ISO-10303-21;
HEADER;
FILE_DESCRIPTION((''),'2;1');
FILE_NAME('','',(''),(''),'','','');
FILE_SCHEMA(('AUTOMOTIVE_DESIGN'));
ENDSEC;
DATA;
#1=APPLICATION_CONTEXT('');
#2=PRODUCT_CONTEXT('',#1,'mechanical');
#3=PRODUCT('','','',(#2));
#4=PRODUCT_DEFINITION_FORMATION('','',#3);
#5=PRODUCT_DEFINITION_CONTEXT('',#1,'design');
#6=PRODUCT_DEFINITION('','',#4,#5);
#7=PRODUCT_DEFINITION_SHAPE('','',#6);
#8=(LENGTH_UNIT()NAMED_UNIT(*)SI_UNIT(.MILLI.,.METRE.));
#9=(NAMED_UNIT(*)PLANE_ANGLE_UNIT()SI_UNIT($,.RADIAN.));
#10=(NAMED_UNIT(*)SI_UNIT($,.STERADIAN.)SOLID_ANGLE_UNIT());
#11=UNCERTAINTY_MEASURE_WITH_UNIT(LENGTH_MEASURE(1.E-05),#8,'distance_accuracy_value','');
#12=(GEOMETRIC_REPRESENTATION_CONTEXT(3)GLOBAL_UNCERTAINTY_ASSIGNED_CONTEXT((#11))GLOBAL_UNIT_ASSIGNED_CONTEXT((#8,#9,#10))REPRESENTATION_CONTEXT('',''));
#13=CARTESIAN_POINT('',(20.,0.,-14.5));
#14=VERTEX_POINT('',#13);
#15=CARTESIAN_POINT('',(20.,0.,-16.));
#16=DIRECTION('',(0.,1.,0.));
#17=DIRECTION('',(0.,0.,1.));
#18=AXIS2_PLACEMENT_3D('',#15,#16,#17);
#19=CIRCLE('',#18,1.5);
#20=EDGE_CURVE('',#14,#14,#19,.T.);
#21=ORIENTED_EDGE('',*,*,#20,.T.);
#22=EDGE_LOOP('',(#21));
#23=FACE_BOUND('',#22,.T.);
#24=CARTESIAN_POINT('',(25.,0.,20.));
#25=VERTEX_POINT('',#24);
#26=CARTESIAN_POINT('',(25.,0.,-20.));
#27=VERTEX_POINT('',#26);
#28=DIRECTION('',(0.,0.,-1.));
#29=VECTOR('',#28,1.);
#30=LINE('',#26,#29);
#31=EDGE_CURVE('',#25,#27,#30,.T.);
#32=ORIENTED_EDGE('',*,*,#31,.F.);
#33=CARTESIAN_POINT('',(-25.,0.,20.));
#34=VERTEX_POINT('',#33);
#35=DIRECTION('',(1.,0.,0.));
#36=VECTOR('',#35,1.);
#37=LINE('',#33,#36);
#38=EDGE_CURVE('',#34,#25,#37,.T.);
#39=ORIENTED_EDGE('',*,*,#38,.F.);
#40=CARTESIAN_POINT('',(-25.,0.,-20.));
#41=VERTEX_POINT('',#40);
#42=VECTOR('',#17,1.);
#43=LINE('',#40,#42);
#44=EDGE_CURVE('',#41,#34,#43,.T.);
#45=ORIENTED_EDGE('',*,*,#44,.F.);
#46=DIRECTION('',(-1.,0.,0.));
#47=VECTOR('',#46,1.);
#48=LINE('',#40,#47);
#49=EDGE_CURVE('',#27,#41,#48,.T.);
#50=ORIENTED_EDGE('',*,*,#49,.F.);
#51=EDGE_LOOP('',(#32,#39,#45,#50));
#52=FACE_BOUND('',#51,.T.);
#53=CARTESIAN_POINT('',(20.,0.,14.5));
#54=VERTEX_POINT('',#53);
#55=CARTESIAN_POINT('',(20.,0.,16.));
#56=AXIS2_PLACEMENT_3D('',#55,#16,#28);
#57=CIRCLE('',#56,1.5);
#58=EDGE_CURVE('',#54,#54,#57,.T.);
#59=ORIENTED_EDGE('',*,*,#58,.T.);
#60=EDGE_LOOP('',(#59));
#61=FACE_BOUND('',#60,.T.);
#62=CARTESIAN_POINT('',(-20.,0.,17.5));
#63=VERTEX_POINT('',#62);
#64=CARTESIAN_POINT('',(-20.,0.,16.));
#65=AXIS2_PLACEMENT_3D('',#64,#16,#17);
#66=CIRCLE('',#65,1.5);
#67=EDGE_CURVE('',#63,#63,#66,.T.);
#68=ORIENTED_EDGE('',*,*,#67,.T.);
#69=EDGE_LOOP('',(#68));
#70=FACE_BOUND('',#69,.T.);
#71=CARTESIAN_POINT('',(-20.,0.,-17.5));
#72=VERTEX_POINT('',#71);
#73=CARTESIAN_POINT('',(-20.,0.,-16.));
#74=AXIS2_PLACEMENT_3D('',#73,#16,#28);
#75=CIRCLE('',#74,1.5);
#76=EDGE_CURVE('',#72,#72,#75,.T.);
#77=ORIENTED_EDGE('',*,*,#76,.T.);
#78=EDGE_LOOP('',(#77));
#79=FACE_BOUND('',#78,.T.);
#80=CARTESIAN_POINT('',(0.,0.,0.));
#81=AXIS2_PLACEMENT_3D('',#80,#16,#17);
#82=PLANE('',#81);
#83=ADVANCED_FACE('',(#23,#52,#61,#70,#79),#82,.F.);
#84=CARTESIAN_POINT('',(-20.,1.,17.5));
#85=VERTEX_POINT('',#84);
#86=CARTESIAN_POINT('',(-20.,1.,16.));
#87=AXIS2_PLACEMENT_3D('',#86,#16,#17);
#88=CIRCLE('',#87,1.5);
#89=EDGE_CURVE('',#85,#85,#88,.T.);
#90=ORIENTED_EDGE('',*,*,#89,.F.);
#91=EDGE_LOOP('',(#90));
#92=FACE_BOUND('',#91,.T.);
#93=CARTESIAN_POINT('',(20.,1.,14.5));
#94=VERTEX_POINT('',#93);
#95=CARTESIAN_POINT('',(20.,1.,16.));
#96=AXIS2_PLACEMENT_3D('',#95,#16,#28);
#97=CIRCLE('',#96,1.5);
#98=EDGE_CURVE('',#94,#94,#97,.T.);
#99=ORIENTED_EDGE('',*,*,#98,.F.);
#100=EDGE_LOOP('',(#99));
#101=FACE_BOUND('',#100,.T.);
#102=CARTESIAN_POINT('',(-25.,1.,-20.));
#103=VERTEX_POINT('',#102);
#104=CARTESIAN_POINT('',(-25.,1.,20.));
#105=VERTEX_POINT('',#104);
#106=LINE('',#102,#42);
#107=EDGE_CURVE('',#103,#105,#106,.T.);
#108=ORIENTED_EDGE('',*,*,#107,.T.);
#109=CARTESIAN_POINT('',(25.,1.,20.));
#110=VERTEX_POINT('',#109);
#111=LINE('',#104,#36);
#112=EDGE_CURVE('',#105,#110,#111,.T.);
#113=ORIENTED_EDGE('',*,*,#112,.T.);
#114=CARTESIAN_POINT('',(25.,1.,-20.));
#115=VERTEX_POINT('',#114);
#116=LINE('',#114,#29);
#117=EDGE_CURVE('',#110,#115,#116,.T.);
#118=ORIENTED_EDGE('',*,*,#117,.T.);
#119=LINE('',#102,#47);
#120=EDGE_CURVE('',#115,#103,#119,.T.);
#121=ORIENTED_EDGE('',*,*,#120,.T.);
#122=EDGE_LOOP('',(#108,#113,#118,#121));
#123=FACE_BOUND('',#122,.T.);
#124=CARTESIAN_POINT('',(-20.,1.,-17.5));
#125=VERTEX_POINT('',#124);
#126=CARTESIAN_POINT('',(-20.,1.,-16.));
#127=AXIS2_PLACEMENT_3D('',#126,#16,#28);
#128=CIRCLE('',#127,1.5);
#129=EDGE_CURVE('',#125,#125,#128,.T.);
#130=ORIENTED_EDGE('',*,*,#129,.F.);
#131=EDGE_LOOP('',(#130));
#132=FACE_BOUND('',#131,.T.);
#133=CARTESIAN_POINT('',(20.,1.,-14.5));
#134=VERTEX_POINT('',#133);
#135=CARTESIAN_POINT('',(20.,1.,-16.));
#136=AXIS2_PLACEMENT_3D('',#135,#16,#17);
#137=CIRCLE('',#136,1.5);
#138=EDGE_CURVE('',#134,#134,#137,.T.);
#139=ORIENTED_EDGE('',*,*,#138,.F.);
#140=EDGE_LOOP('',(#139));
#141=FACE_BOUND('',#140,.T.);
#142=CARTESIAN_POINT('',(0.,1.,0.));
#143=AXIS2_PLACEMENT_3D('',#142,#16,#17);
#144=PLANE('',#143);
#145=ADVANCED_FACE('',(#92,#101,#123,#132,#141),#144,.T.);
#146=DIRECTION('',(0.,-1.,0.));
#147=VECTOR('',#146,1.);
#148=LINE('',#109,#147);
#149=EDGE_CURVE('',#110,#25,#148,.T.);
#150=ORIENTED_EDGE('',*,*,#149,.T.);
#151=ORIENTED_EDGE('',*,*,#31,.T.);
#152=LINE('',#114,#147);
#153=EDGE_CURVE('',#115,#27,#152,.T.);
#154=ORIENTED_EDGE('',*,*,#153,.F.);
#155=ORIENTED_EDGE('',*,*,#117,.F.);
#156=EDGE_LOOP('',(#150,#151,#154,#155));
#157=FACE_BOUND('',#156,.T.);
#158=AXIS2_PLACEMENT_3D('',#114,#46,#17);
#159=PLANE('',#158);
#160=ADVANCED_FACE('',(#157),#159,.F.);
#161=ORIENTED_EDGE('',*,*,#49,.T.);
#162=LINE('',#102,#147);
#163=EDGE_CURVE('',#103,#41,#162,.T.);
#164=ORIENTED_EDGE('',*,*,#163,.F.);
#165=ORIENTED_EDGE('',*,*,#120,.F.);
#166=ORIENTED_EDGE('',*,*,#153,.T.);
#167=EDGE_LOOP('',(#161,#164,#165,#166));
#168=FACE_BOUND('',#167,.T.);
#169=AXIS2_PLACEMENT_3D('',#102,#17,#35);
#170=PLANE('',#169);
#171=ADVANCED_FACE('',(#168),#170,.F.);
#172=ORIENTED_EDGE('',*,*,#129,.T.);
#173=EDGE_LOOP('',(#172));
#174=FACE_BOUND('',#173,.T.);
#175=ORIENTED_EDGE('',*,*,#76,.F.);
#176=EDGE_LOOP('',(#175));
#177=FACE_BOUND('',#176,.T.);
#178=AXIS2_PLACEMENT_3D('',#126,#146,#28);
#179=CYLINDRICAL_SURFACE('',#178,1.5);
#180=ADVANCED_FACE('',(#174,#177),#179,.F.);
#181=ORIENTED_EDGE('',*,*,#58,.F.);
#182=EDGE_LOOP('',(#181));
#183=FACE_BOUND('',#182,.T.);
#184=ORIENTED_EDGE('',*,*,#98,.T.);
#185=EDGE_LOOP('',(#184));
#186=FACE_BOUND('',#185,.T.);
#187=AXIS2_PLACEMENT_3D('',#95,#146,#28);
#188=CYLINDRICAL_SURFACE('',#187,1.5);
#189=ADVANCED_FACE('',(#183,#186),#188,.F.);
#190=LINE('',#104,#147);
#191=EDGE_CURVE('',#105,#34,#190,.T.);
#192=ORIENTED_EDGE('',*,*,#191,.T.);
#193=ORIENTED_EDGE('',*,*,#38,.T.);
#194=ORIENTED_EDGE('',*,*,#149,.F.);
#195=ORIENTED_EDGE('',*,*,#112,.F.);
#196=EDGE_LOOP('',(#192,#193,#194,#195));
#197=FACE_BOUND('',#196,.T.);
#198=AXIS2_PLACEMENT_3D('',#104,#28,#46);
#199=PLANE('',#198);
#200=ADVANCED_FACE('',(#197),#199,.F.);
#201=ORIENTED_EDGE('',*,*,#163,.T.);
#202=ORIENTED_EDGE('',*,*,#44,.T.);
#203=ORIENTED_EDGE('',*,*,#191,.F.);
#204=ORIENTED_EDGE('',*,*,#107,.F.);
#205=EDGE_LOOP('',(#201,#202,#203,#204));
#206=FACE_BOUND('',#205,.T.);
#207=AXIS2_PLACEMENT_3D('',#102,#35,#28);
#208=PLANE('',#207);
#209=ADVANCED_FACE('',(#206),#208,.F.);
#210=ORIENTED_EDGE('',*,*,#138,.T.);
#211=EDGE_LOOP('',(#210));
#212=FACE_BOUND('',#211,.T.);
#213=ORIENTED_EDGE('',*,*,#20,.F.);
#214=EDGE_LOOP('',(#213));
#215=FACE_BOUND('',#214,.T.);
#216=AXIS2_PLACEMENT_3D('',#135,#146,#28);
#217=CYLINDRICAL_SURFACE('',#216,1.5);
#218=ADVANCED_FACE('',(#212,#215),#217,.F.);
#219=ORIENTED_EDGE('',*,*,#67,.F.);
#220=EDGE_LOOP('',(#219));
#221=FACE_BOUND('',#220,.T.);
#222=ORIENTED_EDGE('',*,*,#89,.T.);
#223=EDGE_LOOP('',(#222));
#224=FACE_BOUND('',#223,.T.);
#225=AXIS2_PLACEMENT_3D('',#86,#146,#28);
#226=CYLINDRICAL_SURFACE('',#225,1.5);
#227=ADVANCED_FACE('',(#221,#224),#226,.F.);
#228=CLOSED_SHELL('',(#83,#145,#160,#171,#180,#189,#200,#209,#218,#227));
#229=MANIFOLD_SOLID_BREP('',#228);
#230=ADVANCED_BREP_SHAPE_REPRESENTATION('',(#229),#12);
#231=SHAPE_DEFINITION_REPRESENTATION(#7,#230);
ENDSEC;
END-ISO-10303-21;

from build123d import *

# Parameters (mm, degrees)
SKETCH1_W           = 50
SKETCH1_H           = 40
SKETCH1_R           = 1.5
BOSS_EXTRUDE1_DEPTH = 1


with BuildPart() as part:
    # Sketch1 → Boss-Extrude1 (new body)
    with BuildSketch(Plane(origin=(0, 0, 0), x_dir=(1, 0, 0), z_dir=(0, 1, 0))):
        Rectangle(SKETCH1_W, SKETCH1_H)
        with Locations((-20, -16)):
            Circle(SKETCH1_R, mode=Mode.SUBTRACT)
        with Locations((-20, 16)):
            Circle(SKETCH1_R, mode=Mode.SUBTRACT)
        with Locations((20, -16)):
            Circle(SKETCH1_R, mode=Mode.SUBTRACT)
        with Locations((20, 16)):
            Circle(SKETCH1_R, mode=Mode.SUBTRACT)
    extrude(amount=BOSS_EXTRUDE1_DEPTH)


solid = part.part
